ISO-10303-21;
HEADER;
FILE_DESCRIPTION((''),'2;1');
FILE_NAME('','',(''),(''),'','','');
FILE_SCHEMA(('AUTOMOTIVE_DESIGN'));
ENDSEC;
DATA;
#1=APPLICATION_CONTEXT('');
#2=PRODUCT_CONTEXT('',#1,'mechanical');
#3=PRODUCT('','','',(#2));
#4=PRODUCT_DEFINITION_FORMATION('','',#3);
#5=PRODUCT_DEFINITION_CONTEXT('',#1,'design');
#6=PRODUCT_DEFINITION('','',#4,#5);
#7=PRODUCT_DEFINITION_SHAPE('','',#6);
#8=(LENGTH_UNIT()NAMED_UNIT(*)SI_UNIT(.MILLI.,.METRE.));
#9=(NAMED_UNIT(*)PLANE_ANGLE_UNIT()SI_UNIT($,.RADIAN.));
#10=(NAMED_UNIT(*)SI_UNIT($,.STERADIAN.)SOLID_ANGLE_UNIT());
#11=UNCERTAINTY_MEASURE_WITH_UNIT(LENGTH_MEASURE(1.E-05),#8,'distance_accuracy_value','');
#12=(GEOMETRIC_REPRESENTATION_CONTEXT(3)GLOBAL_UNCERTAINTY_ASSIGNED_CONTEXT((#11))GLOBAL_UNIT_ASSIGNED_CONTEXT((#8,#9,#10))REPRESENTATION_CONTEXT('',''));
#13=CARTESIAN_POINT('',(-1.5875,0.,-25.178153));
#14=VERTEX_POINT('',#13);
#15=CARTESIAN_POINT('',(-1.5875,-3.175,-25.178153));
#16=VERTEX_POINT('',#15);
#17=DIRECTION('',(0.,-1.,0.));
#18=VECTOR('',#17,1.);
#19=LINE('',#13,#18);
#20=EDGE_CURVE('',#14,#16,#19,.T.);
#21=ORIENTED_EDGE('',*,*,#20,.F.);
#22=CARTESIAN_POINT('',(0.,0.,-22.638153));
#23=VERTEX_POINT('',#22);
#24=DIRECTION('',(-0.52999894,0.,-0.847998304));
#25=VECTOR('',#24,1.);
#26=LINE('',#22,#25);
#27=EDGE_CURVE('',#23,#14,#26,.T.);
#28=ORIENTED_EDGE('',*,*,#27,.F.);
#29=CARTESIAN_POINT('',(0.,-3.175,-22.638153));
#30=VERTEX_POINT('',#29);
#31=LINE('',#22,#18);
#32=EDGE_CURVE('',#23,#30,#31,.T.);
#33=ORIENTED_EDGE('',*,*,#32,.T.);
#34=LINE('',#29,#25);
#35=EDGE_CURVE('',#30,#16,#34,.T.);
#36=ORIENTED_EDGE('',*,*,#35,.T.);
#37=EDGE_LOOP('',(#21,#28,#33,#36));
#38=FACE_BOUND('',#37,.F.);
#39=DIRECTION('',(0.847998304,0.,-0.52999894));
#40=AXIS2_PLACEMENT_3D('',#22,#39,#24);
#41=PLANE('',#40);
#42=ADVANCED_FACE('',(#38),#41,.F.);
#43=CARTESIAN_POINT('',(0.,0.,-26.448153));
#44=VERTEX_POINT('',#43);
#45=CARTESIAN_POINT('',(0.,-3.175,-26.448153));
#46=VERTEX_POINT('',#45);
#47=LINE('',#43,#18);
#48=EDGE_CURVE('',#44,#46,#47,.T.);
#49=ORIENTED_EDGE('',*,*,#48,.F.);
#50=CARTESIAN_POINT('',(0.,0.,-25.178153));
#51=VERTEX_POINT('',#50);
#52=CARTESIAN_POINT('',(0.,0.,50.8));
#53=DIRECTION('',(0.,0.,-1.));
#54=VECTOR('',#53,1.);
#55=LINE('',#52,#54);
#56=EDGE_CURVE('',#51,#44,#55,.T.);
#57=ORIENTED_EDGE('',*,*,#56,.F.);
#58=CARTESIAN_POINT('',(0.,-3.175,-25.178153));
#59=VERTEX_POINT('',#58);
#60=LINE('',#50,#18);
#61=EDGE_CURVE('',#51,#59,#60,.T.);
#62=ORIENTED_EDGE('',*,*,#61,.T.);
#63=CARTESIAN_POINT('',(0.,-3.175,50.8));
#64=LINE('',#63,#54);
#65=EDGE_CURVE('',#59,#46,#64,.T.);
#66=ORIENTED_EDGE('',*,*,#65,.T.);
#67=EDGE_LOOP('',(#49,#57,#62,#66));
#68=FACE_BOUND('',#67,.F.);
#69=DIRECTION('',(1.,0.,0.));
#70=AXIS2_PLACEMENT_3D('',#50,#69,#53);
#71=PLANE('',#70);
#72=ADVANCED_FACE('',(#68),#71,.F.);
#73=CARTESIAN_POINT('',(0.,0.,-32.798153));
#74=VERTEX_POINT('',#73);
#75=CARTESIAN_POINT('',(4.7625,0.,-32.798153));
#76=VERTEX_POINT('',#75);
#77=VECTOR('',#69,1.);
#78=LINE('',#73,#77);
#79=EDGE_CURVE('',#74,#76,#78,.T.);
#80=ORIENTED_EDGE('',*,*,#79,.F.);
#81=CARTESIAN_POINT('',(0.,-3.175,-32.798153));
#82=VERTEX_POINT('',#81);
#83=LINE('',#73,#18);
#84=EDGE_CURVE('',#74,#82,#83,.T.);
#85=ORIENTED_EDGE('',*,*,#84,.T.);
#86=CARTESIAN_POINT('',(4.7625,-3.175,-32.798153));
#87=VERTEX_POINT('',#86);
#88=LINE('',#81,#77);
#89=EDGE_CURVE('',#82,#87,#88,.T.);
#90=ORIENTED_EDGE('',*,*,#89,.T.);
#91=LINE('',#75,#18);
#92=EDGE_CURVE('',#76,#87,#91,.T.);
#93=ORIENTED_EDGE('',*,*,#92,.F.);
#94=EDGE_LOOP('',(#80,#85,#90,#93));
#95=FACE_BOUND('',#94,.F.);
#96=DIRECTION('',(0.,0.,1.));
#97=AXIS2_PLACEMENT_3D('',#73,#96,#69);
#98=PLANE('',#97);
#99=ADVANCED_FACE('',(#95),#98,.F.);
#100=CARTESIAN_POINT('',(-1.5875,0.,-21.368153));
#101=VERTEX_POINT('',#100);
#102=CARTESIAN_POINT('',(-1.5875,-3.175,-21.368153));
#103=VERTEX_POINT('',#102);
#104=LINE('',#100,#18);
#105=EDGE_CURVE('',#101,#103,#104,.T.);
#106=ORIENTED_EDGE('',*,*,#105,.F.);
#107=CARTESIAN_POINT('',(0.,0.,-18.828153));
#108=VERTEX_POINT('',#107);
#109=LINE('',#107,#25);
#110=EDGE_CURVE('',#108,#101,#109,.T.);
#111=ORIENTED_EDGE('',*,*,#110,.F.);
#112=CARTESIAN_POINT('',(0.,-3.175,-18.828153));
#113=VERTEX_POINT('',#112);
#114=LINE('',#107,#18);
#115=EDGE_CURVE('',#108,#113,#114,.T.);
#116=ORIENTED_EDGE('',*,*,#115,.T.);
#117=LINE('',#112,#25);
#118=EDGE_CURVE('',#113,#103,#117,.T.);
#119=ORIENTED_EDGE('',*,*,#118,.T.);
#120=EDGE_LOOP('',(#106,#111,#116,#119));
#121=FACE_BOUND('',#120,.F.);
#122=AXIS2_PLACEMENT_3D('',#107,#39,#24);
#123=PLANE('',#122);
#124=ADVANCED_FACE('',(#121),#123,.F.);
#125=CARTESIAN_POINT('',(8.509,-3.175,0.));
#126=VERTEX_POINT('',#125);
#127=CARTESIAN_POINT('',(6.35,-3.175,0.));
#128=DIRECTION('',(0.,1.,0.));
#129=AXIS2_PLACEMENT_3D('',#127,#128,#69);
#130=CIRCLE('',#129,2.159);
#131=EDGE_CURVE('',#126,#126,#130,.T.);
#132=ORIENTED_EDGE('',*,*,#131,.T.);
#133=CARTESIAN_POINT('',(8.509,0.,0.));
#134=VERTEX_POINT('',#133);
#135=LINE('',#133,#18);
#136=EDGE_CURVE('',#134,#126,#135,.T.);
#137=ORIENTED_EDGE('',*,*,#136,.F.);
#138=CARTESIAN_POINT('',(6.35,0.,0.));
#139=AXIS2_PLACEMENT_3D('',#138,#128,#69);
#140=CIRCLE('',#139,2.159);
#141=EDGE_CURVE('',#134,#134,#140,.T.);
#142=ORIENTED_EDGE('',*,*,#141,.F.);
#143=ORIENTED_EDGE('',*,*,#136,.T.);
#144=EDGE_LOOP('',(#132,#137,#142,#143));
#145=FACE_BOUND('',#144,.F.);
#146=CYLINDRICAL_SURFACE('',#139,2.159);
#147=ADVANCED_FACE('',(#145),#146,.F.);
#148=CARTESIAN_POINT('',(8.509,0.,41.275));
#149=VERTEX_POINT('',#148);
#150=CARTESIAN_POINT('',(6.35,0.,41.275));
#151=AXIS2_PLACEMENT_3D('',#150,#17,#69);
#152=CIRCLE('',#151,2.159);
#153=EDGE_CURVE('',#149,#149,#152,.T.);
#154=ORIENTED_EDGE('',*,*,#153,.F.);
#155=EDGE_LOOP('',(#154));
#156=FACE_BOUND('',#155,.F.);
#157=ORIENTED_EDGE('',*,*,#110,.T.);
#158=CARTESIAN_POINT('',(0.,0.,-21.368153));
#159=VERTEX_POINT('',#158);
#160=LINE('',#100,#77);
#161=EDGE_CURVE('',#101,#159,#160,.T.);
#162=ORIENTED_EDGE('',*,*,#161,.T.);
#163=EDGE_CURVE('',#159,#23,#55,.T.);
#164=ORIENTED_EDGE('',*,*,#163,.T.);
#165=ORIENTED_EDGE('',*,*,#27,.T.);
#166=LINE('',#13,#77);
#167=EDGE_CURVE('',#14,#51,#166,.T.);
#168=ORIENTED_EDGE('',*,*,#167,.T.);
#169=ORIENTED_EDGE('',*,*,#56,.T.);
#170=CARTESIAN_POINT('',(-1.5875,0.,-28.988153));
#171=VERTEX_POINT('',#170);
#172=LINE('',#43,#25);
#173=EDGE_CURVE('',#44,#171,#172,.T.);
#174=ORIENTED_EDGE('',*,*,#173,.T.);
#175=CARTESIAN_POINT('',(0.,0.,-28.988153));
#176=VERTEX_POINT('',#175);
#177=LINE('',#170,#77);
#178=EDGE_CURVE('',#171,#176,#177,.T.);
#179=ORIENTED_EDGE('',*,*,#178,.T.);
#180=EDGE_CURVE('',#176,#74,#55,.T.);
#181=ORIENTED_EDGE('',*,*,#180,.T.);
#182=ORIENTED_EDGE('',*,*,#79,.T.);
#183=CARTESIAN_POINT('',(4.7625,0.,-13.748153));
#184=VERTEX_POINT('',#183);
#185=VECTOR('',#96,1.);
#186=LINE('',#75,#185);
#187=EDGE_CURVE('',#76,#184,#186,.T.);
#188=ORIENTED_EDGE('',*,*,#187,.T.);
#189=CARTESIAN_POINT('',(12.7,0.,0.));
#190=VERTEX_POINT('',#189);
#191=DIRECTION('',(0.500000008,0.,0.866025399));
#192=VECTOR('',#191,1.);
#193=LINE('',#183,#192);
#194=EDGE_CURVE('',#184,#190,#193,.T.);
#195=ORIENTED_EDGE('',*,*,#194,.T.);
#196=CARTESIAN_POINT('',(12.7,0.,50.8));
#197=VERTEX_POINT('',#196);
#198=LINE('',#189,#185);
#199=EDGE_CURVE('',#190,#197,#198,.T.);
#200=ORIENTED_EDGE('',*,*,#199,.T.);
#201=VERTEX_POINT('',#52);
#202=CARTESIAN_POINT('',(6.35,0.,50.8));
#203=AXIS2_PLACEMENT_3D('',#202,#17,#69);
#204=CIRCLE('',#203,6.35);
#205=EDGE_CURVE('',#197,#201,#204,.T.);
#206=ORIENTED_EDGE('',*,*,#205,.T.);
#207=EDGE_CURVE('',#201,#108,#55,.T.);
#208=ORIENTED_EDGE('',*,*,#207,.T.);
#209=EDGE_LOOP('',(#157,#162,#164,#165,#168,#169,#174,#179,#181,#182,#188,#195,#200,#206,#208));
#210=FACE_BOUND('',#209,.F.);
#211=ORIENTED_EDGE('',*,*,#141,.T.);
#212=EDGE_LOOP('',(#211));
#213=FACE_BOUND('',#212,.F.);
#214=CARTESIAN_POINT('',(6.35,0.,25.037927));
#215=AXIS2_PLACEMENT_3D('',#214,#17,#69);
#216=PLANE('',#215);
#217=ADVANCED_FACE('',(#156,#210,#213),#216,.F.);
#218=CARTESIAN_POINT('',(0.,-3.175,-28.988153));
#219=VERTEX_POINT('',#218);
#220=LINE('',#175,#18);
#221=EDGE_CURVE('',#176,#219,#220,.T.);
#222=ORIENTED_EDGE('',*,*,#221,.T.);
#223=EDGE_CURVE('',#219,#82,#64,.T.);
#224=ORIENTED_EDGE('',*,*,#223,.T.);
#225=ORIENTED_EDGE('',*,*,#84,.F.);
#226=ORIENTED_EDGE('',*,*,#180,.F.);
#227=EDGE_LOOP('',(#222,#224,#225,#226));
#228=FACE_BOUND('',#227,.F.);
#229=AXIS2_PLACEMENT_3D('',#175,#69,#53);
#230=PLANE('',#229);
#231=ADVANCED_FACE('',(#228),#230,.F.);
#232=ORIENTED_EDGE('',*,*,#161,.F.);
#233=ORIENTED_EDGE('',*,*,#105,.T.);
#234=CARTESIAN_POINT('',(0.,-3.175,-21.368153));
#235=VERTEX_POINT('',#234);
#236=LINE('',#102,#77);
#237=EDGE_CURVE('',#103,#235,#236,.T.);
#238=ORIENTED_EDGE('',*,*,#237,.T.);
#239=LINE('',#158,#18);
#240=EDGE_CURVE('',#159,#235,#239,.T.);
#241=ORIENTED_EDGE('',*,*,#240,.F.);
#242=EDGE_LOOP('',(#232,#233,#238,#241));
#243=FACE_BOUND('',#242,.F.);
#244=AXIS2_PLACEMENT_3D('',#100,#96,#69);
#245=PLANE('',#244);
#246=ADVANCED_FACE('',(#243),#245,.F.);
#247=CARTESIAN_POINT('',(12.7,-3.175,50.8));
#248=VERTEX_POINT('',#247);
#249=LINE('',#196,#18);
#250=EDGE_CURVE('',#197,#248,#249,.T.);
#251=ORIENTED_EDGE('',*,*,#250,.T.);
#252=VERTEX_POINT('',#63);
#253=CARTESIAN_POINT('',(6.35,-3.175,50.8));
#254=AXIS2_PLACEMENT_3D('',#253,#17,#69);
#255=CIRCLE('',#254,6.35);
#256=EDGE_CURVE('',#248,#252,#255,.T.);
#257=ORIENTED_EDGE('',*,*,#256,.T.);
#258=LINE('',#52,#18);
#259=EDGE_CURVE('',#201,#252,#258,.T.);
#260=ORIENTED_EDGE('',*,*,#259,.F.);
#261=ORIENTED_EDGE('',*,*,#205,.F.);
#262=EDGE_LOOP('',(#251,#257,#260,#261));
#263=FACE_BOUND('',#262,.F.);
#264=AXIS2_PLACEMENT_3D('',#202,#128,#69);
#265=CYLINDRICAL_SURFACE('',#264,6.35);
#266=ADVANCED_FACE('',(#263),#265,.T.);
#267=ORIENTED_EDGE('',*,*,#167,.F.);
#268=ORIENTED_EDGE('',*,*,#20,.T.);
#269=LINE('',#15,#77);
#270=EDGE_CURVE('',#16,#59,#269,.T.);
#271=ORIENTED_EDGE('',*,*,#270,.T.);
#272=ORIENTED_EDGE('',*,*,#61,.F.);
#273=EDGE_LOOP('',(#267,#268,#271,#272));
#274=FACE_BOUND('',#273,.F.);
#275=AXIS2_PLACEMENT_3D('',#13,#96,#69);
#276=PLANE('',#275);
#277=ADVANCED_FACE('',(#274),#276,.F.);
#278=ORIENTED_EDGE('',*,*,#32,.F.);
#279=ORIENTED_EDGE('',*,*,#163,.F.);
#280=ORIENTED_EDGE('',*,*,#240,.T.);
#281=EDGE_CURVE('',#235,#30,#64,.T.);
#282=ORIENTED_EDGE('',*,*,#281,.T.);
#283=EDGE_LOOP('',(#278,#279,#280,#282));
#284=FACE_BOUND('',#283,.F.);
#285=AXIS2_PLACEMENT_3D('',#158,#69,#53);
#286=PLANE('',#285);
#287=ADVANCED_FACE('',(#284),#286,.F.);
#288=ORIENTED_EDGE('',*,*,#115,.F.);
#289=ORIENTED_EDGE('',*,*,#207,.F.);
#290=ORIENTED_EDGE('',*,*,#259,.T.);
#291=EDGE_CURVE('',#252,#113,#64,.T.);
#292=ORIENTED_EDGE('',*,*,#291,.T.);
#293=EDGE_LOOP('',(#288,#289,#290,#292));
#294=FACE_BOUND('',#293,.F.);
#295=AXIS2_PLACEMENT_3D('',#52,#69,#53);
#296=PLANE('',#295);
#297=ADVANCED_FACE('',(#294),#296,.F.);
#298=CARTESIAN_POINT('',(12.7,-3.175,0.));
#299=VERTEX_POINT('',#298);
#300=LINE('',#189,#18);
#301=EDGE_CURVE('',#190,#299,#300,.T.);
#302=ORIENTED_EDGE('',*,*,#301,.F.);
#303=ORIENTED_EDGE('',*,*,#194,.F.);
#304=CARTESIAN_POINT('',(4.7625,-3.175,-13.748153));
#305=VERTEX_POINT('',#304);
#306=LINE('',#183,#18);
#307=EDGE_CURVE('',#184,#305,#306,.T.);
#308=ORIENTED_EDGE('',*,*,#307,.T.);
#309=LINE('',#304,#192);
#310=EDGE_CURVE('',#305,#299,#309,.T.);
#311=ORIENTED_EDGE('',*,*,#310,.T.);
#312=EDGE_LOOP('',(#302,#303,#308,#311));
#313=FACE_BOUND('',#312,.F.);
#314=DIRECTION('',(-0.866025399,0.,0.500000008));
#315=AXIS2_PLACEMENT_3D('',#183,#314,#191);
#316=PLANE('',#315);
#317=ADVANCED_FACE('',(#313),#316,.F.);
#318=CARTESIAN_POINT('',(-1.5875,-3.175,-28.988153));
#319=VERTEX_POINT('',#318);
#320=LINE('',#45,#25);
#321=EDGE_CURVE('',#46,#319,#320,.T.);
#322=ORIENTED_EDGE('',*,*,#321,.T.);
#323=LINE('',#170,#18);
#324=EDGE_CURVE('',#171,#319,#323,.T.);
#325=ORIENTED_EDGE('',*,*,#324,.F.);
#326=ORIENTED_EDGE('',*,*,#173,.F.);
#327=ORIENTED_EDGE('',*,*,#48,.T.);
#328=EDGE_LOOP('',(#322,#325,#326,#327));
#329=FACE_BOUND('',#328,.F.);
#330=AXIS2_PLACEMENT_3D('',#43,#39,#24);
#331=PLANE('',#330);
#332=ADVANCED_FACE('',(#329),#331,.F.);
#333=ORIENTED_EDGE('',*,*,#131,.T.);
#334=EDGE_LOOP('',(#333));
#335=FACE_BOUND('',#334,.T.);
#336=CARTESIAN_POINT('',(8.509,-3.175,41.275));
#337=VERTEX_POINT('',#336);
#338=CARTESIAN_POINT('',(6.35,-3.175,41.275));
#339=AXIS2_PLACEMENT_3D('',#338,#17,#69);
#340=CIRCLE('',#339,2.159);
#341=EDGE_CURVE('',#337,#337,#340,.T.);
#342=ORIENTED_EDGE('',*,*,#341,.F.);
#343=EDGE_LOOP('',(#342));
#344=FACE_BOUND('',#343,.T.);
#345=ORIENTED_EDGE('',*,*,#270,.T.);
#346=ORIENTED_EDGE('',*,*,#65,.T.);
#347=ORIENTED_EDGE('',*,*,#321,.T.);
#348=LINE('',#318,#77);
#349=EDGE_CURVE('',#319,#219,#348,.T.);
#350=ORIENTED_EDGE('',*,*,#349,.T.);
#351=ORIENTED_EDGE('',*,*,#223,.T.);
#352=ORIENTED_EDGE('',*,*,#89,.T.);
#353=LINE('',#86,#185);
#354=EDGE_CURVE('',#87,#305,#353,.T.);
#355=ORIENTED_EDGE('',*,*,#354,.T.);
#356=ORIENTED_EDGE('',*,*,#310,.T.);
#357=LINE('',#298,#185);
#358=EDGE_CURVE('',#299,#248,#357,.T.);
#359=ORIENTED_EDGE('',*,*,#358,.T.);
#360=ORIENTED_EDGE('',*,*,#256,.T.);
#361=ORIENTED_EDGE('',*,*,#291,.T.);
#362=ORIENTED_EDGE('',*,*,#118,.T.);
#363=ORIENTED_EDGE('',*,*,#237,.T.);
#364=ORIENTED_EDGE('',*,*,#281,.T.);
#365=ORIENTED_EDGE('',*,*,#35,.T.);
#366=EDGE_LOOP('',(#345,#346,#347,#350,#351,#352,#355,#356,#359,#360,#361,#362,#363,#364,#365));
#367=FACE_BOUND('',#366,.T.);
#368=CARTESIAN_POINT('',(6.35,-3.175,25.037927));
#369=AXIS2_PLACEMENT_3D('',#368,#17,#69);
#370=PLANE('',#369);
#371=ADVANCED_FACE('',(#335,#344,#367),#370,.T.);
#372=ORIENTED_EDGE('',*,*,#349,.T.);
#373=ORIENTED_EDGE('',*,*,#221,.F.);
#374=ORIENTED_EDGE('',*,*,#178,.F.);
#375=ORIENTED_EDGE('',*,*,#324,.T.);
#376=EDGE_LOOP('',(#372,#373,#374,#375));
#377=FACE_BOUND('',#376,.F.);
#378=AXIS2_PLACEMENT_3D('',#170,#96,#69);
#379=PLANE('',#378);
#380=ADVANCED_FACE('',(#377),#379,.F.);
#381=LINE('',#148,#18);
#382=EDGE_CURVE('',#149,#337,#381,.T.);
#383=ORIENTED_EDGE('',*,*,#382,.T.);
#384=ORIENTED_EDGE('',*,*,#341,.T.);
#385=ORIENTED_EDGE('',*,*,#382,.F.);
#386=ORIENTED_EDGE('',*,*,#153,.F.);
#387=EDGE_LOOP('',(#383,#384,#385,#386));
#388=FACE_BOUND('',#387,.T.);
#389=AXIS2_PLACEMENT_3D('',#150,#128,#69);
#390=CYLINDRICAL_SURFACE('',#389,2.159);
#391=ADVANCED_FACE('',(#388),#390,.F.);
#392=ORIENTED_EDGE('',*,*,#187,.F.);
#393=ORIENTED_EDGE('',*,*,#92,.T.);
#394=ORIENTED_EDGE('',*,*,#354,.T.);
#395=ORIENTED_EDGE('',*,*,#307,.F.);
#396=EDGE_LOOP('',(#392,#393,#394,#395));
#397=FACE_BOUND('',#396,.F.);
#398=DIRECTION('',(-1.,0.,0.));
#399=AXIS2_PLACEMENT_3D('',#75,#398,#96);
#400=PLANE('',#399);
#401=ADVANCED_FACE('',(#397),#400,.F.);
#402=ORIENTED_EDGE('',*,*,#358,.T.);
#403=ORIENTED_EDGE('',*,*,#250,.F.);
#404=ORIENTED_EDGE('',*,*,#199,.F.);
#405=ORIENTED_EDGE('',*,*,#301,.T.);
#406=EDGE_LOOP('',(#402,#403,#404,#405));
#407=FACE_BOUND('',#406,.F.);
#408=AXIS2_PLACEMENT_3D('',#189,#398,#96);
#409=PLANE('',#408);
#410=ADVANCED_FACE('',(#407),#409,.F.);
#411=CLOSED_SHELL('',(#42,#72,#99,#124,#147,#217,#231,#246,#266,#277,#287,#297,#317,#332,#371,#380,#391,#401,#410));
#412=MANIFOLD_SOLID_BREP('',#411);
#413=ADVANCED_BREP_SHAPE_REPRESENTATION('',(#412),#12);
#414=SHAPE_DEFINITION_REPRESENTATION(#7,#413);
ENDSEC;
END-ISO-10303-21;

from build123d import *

# Parameters (mm, degrees)
F0_R     = 2.159
F1_DEPTH = 3.175


with BuildPart() as f1:
    # F0 (on Front) → F1 (new body)
    with BuildSketch(Plane.XZ):
        with BuildLine():
            ThreePointArc((4.191, 0), (6.35, 2.159), (8.509, 0))
            Line((8.509, 0), (12.7, 0))
            Line((12.7, 0), (12.7, 50.8))
            Line((12.7, 50.8), (0, 50.8))
            Line((0, 50.8), (0, 0))
            Line((0, 0), (4.191, 0))
        make_face()
        with Locations((6.35, 41.275)):
            Circle(F0_R, mode=Mode.SUBTRACT)
        with BuildLine():
            Line((12.7, 0), (8.509, 0))
            ThreePointArc((8.509, 0), (6.35, -2.159), (4.191, 0))
            Line((4.191, 0), (0, 0))
            Line((0, 0), (0, -18.828153))
            Line((0, -18.828153), (0, -21.368153))
            Line((0, -21.368153), (0, -22.638153))
            Line((0, -22.638153), (0, -25.178153))
            Line((0, -25.178153), (0, -26.448153))
            Line((0, -26.448153), (0, -28.988153))
            Line((0, -28.988153), (0, -32.798153))
            Line((0, -32.798153), (4.7625, -32.798153))
            Line((4.7625, -32.798153), (4.7625, -13.748153))
            Line((4.7625, -13.748153), (12.7, 0))
        make_face()
        with BuildLine():
            Line((0, 50.8), (12.7, 50.8))
            ThreePointArc((12.7, 50.8), (6.35, 57.15), (0, 50.8))
        make_face()
        Polygon((0, -21.368153), (0, -18.828153), (-1.5875, -21.368153), align=None)
        Polygon((-1.5875, -28.988153), (0, -28.988153), (0, -26.448153), align=None)
        Polygon((0, -25.178153), (0, -22.638153), (-1.5875, -25.178153), align=None)
    extrude(amount=F1_DEPTH)


solid = f1.part
